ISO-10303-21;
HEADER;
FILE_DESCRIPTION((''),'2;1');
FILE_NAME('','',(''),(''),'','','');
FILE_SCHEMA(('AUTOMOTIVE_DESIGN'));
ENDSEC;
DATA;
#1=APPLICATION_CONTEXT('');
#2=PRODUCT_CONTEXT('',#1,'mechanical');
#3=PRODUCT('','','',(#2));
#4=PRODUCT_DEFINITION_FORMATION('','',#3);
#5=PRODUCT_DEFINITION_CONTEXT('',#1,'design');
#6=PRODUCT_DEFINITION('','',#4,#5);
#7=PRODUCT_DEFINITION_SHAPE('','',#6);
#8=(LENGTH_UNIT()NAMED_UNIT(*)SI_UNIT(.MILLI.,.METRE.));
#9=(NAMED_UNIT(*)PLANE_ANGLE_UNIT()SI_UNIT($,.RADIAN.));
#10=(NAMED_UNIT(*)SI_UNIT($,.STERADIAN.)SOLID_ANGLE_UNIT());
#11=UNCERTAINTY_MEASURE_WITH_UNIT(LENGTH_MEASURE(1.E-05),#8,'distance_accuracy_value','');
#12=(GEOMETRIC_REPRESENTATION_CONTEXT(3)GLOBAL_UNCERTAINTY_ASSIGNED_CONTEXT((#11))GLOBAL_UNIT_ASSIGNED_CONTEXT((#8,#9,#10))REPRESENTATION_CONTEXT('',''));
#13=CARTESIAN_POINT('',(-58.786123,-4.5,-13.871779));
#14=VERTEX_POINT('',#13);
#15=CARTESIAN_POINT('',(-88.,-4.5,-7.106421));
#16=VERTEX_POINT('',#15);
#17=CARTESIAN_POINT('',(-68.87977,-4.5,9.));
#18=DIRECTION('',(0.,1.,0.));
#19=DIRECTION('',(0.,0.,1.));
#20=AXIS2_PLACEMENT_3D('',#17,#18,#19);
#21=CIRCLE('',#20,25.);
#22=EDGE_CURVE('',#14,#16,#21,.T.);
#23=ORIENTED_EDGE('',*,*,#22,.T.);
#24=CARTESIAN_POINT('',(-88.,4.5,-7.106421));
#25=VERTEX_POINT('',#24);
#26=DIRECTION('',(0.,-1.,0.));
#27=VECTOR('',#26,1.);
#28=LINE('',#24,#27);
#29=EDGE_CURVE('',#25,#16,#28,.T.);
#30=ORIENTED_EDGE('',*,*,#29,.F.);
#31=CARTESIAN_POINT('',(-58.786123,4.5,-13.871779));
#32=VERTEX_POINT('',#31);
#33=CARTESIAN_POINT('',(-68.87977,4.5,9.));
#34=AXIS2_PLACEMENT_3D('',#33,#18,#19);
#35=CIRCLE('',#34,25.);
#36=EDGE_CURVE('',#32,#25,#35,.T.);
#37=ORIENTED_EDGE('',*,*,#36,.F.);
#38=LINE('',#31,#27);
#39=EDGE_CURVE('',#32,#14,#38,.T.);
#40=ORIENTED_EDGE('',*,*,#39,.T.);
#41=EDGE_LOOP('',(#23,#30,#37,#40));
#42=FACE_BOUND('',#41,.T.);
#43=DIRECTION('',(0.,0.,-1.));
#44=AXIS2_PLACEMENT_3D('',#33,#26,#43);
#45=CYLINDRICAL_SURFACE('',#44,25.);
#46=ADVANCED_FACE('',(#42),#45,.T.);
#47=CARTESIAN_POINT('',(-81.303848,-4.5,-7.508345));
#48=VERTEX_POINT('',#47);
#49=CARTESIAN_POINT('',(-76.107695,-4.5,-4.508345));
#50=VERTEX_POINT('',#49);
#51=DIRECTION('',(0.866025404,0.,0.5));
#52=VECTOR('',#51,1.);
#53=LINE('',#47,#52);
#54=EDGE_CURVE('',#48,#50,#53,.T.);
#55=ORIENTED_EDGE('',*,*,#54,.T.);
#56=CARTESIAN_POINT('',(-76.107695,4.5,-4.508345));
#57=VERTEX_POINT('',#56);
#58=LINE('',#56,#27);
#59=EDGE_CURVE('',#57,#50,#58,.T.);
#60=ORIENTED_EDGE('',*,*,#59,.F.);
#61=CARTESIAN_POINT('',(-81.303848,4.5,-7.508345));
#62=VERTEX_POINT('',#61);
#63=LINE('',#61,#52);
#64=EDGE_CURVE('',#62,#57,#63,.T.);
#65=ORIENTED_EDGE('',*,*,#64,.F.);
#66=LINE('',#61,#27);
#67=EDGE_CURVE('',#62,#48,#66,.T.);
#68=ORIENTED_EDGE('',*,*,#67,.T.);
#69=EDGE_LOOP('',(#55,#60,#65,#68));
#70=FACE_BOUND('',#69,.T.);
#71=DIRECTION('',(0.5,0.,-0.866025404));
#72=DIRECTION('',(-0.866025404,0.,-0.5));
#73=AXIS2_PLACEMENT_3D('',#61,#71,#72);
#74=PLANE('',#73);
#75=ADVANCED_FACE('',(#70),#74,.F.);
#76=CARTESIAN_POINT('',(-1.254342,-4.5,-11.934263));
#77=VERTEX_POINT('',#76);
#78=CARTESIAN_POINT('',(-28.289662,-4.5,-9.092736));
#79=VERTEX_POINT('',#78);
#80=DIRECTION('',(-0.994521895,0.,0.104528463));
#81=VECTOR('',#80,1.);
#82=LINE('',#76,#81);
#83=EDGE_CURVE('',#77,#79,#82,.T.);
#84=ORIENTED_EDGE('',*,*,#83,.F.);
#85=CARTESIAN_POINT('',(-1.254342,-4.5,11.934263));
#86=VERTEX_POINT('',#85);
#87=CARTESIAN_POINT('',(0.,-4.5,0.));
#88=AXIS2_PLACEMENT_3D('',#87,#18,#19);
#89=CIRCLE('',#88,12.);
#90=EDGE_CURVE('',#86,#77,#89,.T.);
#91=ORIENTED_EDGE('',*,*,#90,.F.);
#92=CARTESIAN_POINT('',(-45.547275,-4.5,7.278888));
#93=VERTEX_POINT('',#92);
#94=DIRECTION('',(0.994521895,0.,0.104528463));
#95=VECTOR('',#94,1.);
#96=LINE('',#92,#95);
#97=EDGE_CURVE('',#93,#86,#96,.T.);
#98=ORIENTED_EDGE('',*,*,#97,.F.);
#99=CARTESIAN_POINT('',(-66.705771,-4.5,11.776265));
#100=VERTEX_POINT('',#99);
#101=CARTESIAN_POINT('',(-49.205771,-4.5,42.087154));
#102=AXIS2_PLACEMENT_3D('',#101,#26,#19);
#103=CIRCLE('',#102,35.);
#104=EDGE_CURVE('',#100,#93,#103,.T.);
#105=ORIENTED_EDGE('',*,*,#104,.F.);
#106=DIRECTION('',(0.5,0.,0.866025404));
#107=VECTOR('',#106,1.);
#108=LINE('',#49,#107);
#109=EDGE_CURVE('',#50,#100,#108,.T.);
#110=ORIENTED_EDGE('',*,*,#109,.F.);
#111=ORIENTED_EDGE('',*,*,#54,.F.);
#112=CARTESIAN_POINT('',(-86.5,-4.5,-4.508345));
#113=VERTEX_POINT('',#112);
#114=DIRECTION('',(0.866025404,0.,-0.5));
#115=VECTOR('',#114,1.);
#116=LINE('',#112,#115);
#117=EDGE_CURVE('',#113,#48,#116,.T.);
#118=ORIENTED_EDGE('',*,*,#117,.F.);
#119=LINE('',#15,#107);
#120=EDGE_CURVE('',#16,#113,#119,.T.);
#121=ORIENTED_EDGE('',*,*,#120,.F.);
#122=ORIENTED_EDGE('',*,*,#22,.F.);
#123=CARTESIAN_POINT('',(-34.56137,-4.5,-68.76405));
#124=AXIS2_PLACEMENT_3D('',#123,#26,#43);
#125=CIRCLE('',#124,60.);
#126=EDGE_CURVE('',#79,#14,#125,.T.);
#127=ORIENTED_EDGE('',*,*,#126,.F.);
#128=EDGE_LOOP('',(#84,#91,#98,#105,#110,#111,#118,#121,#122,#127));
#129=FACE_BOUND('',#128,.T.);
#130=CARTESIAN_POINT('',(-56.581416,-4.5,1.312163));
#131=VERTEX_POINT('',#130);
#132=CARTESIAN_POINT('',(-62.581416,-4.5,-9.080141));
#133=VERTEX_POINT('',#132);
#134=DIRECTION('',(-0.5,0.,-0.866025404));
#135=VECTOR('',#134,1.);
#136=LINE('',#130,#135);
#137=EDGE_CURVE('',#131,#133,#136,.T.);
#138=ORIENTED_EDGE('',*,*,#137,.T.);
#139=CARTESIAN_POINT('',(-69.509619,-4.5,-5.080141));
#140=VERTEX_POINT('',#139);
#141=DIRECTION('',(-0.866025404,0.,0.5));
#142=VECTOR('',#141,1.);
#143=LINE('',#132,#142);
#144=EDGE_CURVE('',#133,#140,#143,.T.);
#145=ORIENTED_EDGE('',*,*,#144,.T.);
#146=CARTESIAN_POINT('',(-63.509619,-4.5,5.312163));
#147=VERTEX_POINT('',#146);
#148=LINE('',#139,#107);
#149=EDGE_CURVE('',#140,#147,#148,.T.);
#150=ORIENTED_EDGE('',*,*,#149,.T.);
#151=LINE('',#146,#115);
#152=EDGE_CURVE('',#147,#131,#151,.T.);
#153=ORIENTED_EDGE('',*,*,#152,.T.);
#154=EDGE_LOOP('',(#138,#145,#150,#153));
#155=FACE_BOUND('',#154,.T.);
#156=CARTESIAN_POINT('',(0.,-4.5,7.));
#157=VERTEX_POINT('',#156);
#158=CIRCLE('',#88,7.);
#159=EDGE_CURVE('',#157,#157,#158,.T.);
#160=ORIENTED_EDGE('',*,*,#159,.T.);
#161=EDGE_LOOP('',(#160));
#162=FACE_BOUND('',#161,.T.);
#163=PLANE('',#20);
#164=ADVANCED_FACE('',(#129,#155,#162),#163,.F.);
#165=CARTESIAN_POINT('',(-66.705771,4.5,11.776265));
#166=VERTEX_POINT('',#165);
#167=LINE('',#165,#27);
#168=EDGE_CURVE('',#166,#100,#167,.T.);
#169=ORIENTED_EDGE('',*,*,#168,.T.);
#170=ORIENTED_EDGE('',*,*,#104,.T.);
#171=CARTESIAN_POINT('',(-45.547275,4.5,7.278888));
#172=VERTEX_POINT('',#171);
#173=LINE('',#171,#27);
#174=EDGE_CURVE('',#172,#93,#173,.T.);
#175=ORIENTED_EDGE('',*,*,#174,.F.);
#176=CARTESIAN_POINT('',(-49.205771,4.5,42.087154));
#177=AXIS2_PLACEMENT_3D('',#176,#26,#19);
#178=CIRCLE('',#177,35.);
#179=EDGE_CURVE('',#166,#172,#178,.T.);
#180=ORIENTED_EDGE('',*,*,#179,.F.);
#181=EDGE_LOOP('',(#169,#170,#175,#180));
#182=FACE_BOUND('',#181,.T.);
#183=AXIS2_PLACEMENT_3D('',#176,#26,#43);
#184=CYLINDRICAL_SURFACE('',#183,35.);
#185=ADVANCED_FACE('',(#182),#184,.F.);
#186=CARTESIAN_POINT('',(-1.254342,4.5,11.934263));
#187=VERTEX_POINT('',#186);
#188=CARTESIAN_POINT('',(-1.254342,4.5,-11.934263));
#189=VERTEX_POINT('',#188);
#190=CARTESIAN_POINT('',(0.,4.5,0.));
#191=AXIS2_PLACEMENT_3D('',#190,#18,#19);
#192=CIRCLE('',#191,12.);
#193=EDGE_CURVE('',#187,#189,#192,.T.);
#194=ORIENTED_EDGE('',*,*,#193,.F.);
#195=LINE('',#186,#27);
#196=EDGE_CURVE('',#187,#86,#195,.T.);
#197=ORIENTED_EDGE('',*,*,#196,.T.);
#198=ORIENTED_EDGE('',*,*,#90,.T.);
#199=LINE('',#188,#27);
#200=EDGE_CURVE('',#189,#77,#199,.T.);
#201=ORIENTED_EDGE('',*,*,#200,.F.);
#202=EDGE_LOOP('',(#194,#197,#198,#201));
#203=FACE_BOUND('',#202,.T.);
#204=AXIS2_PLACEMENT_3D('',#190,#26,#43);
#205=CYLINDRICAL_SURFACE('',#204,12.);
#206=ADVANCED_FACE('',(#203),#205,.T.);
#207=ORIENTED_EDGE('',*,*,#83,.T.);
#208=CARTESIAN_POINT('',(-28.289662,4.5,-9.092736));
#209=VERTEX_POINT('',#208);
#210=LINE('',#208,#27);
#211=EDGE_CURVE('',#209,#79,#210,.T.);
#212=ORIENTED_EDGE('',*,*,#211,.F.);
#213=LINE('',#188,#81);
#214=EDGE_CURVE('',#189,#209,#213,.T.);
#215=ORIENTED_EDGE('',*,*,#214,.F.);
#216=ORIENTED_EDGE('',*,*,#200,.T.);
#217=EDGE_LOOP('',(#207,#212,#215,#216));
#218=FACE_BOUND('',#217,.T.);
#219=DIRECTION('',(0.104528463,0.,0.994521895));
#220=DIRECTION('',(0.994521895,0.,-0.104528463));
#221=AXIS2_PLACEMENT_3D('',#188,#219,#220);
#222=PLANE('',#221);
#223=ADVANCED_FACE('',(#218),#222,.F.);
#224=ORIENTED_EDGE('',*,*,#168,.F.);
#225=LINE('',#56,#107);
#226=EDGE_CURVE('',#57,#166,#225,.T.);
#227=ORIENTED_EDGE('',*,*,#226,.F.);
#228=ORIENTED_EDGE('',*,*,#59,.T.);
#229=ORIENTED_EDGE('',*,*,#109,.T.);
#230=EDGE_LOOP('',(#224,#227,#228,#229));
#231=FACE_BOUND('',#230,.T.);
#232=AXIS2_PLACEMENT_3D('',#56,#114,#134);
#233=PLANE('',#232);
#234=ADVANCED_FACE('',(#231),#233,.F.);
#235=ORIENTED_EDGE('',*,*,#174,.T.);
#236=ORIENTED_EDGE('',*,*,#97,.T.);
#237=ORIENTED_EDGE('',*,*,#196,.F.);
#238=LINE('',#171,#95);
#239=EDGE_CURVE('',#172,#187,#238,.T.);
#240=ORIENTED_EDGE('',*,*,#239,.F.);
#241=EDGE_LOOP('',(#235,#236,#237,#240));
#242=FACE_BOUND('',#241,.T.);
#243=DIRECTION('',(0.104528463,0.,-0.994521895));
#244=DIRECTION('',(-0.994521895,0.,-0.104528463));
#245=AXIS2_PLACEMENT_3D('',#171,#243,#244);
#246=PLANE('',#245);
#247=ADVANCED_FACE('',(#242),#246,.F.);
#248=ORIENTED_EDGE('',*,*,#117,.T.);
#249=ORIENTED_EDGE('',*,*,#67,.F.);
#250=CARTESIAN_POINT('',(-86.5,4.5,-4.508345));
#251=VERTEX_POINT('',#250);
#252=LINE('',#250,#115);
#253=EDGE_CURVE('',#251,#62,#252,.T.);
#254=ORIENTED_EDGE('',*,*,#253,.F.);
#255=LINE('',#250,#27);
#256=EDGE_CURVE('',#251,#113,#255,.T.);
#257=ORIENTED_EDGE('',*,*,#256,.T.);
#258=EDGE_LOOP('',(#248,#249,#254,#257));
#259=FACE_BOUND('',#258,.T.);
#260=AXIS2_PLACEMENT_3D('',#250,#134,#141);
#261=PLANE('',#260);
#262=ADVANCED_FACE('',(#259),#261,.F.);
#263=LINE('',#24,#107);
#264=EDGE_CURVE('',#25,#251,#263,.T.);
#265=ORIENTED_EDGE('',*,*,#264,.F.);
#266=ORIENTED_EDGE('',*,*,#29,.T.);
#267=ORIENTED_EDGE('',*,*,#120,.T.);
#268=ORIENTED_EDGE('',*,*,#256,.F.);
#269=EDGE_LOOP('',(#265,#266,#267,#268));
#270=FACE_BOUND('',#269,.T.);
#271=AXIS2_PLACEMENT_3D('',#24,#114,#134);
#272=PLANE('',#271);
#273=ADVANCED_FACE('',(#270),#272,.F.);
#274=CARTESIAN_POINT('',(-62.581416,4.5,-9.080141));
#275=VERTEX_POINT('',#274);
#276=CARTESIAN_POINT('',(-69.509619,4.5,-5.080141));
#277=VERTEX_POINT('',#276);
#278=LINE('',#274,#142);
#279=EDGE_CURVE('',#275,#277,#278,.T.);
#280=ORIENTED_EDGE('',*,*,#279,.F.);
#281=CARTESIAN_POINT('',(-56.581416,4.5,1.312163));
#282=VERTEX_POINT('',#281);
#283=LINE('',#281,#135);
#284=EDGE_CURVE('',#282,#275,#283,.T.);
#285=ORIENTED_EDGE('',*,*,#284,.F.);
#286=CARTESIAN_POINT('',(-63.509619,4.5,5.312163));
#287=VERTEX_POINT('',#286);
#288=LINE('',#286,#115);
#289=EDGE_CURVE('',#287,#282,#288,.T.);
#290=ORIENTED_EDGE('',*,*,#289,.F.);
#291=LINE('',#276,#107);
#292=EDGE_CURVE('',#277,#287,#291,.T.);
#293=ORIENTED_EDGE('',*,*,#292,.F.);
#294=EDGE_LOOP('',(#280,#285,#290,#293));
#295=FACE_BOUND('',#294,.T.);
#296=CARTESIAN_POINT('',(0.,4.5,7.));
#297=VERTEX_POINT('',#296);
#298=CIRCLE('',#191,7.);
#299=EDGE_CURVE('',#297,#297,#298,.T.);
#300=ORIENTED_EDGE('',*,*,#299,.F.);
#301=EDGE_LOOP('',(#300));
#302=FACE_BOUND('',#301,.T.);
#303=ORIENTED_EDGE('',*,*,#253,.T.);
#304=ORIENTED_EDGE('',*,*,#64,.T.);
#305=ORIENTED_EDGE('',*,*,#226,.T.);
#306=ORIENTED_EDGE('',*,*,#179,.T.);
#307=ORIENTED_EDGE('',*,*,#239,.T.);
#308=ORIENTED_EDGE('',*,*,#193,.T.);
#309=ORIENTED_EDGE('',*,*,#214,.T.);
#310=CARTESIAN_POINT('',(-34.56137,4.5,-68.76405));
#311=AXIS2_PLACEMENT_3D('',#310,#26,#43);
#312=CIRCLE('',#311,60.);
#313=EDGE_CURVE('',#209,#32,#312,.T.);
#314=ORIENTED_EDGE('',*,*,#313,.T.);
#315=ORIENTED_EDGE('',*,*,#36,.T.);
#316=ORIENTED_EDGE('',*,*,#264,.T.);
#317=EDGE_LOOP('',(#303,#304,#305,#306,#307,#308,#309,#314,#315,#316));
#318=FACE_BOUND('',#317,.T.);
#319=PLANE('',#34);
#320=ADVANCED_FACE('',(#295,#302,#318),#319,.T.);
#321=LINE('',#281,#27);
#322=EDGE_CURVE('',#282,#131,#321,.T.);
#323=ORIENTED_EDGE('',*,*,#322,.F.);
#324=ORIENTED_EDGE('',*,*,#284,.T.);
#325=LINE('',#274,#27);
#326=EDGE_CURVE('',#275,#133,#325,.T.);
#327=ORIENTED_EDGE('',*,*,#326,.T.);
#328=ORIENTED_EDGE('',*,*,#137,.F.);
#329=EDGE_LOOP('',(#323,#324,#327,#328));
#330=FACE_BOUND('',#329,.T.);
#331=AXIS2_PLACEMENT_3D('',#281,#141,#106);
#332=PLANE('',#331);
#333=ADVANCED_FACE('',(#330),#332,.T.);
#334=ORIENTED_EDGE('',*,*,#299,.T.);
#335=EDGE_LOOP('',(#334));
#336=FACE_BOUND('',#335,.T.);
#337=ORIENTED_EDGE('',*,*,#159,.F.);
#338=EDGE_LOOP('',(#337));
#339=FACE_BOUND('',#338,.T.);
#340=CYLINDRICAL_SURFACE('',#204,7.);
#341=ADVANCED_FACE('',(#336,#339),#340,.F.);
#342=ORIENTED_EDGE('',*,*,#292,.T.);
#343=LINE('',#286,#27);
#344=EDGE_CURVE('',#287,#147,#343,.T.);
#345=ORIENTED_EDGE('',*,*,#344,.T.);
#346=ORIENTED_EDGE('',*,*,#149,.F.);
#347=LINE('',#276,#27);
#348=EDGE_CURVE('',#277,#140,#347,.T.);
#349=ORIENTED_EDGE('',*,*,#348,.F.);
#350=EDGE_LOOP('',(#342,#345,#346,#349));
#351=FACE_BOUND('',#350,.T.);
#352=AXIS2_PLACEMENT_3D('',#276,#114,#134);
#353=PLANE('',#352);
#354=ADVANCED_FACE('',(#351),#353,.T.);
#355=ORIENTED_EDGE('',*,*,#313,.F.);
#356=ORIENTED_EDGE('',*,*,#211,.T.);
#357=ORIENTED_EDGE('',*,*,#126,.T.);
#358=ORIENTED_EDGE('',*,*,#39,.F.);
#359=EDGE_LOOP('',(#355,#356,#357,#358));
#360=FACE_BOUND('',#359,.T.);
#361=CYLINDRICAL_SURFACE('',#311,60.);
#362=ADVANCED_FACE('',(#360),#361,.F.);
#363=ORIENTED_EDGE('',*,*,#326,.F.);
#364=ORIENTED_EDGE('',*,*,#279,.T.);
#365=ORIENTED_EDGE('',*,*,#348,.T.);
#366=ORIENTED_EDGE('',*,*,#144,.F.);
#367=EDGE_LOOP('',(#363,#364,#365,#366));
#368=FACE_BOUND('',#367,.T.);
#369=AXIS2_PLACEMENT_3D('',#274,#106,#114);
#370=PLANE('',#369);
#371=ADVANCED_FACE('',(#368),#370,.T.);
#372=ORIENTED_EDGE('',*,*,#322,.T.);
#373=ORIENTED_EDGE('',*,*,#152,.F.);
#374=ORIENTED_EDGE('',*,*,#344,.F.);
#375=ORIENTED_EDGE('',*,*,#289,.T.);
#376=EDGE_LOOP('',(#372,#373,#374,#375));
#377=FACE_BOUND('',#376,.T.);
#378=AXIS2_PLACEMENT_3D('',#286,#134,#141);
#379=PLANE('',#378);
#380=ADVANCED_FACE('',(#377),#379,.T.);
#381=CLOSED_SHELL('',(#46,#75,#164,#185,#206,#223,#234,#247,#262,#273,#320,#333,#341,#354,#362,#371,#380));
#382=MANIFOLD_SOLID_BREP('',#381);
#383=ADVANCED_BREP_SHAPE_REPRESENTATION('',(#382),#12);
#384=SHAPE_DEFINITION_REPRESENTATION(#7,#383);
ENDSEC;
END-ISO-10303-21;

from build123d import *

# Parameters (mm, degrees)
SKETCH1_R           = 7
BOSS_EXTRUDE1_DEPTH = 4.5


with BuildPart() as part:
    # Sketch1 → Boss-Extrude1 (new, symmetric)
    with BuildSketch(Plane(origin=(0, 0, 0), x_dir=(1, 0, 0), z_dir=(0, 1, 0))):
        with BuildLine():
            Line((-1.254341559, 11.934262744), (-28.289662127, 9.092736051))
            ThreePointArc((-28.289662127, 9.092736051), (-43.850490966, 9.48747573), (-58.786122703, 13.871779345))
            ThreePointArc((-58.786122703, 13.871779345), (-74.520010862, 15.355444557), (-88, 7.106420865))
            Line((-88, 7.106420865), (-86.5, 4.508344654))
            Line((-86.5, 4.508344654), (-81.303847577, 7.508344654))
            Line((-81.303847577, 7.508344654), (-76.107695155, 4.508344654))
            Line((-76.107695155, 4.508344654), (-66.705771366, -11.776265037))
            ThreePointArc((-66.705771366, -11.776265037), (-56.482680545, -7.851988144), (-45.547275152, -7.278887832))
            Line((-45.547275152, -7.278887832), (-1.254341559, -11.934262744))
            ThreePointArc((-1.254341559, -11.934262744), (12, 0), (-1.254341559, 11.934262744))
        make_face()
        with Locations(Location((0, 0, 0), (0, 0, 270))):
            Circle(SKETCH1_R, mode=Mode.SUBTRACT)
        Polygon((-69.509618943, 5.080141424), (-63.509618943, -5.312163422), (-56.581415713, -1.312163422), (-62.581415713, 9.080141424), align=None, mode=Mode.SUBTRACT)
    extrude(amount=BOSS_EXTRUDE1_DEPTH, both=True)


solid = part.part
